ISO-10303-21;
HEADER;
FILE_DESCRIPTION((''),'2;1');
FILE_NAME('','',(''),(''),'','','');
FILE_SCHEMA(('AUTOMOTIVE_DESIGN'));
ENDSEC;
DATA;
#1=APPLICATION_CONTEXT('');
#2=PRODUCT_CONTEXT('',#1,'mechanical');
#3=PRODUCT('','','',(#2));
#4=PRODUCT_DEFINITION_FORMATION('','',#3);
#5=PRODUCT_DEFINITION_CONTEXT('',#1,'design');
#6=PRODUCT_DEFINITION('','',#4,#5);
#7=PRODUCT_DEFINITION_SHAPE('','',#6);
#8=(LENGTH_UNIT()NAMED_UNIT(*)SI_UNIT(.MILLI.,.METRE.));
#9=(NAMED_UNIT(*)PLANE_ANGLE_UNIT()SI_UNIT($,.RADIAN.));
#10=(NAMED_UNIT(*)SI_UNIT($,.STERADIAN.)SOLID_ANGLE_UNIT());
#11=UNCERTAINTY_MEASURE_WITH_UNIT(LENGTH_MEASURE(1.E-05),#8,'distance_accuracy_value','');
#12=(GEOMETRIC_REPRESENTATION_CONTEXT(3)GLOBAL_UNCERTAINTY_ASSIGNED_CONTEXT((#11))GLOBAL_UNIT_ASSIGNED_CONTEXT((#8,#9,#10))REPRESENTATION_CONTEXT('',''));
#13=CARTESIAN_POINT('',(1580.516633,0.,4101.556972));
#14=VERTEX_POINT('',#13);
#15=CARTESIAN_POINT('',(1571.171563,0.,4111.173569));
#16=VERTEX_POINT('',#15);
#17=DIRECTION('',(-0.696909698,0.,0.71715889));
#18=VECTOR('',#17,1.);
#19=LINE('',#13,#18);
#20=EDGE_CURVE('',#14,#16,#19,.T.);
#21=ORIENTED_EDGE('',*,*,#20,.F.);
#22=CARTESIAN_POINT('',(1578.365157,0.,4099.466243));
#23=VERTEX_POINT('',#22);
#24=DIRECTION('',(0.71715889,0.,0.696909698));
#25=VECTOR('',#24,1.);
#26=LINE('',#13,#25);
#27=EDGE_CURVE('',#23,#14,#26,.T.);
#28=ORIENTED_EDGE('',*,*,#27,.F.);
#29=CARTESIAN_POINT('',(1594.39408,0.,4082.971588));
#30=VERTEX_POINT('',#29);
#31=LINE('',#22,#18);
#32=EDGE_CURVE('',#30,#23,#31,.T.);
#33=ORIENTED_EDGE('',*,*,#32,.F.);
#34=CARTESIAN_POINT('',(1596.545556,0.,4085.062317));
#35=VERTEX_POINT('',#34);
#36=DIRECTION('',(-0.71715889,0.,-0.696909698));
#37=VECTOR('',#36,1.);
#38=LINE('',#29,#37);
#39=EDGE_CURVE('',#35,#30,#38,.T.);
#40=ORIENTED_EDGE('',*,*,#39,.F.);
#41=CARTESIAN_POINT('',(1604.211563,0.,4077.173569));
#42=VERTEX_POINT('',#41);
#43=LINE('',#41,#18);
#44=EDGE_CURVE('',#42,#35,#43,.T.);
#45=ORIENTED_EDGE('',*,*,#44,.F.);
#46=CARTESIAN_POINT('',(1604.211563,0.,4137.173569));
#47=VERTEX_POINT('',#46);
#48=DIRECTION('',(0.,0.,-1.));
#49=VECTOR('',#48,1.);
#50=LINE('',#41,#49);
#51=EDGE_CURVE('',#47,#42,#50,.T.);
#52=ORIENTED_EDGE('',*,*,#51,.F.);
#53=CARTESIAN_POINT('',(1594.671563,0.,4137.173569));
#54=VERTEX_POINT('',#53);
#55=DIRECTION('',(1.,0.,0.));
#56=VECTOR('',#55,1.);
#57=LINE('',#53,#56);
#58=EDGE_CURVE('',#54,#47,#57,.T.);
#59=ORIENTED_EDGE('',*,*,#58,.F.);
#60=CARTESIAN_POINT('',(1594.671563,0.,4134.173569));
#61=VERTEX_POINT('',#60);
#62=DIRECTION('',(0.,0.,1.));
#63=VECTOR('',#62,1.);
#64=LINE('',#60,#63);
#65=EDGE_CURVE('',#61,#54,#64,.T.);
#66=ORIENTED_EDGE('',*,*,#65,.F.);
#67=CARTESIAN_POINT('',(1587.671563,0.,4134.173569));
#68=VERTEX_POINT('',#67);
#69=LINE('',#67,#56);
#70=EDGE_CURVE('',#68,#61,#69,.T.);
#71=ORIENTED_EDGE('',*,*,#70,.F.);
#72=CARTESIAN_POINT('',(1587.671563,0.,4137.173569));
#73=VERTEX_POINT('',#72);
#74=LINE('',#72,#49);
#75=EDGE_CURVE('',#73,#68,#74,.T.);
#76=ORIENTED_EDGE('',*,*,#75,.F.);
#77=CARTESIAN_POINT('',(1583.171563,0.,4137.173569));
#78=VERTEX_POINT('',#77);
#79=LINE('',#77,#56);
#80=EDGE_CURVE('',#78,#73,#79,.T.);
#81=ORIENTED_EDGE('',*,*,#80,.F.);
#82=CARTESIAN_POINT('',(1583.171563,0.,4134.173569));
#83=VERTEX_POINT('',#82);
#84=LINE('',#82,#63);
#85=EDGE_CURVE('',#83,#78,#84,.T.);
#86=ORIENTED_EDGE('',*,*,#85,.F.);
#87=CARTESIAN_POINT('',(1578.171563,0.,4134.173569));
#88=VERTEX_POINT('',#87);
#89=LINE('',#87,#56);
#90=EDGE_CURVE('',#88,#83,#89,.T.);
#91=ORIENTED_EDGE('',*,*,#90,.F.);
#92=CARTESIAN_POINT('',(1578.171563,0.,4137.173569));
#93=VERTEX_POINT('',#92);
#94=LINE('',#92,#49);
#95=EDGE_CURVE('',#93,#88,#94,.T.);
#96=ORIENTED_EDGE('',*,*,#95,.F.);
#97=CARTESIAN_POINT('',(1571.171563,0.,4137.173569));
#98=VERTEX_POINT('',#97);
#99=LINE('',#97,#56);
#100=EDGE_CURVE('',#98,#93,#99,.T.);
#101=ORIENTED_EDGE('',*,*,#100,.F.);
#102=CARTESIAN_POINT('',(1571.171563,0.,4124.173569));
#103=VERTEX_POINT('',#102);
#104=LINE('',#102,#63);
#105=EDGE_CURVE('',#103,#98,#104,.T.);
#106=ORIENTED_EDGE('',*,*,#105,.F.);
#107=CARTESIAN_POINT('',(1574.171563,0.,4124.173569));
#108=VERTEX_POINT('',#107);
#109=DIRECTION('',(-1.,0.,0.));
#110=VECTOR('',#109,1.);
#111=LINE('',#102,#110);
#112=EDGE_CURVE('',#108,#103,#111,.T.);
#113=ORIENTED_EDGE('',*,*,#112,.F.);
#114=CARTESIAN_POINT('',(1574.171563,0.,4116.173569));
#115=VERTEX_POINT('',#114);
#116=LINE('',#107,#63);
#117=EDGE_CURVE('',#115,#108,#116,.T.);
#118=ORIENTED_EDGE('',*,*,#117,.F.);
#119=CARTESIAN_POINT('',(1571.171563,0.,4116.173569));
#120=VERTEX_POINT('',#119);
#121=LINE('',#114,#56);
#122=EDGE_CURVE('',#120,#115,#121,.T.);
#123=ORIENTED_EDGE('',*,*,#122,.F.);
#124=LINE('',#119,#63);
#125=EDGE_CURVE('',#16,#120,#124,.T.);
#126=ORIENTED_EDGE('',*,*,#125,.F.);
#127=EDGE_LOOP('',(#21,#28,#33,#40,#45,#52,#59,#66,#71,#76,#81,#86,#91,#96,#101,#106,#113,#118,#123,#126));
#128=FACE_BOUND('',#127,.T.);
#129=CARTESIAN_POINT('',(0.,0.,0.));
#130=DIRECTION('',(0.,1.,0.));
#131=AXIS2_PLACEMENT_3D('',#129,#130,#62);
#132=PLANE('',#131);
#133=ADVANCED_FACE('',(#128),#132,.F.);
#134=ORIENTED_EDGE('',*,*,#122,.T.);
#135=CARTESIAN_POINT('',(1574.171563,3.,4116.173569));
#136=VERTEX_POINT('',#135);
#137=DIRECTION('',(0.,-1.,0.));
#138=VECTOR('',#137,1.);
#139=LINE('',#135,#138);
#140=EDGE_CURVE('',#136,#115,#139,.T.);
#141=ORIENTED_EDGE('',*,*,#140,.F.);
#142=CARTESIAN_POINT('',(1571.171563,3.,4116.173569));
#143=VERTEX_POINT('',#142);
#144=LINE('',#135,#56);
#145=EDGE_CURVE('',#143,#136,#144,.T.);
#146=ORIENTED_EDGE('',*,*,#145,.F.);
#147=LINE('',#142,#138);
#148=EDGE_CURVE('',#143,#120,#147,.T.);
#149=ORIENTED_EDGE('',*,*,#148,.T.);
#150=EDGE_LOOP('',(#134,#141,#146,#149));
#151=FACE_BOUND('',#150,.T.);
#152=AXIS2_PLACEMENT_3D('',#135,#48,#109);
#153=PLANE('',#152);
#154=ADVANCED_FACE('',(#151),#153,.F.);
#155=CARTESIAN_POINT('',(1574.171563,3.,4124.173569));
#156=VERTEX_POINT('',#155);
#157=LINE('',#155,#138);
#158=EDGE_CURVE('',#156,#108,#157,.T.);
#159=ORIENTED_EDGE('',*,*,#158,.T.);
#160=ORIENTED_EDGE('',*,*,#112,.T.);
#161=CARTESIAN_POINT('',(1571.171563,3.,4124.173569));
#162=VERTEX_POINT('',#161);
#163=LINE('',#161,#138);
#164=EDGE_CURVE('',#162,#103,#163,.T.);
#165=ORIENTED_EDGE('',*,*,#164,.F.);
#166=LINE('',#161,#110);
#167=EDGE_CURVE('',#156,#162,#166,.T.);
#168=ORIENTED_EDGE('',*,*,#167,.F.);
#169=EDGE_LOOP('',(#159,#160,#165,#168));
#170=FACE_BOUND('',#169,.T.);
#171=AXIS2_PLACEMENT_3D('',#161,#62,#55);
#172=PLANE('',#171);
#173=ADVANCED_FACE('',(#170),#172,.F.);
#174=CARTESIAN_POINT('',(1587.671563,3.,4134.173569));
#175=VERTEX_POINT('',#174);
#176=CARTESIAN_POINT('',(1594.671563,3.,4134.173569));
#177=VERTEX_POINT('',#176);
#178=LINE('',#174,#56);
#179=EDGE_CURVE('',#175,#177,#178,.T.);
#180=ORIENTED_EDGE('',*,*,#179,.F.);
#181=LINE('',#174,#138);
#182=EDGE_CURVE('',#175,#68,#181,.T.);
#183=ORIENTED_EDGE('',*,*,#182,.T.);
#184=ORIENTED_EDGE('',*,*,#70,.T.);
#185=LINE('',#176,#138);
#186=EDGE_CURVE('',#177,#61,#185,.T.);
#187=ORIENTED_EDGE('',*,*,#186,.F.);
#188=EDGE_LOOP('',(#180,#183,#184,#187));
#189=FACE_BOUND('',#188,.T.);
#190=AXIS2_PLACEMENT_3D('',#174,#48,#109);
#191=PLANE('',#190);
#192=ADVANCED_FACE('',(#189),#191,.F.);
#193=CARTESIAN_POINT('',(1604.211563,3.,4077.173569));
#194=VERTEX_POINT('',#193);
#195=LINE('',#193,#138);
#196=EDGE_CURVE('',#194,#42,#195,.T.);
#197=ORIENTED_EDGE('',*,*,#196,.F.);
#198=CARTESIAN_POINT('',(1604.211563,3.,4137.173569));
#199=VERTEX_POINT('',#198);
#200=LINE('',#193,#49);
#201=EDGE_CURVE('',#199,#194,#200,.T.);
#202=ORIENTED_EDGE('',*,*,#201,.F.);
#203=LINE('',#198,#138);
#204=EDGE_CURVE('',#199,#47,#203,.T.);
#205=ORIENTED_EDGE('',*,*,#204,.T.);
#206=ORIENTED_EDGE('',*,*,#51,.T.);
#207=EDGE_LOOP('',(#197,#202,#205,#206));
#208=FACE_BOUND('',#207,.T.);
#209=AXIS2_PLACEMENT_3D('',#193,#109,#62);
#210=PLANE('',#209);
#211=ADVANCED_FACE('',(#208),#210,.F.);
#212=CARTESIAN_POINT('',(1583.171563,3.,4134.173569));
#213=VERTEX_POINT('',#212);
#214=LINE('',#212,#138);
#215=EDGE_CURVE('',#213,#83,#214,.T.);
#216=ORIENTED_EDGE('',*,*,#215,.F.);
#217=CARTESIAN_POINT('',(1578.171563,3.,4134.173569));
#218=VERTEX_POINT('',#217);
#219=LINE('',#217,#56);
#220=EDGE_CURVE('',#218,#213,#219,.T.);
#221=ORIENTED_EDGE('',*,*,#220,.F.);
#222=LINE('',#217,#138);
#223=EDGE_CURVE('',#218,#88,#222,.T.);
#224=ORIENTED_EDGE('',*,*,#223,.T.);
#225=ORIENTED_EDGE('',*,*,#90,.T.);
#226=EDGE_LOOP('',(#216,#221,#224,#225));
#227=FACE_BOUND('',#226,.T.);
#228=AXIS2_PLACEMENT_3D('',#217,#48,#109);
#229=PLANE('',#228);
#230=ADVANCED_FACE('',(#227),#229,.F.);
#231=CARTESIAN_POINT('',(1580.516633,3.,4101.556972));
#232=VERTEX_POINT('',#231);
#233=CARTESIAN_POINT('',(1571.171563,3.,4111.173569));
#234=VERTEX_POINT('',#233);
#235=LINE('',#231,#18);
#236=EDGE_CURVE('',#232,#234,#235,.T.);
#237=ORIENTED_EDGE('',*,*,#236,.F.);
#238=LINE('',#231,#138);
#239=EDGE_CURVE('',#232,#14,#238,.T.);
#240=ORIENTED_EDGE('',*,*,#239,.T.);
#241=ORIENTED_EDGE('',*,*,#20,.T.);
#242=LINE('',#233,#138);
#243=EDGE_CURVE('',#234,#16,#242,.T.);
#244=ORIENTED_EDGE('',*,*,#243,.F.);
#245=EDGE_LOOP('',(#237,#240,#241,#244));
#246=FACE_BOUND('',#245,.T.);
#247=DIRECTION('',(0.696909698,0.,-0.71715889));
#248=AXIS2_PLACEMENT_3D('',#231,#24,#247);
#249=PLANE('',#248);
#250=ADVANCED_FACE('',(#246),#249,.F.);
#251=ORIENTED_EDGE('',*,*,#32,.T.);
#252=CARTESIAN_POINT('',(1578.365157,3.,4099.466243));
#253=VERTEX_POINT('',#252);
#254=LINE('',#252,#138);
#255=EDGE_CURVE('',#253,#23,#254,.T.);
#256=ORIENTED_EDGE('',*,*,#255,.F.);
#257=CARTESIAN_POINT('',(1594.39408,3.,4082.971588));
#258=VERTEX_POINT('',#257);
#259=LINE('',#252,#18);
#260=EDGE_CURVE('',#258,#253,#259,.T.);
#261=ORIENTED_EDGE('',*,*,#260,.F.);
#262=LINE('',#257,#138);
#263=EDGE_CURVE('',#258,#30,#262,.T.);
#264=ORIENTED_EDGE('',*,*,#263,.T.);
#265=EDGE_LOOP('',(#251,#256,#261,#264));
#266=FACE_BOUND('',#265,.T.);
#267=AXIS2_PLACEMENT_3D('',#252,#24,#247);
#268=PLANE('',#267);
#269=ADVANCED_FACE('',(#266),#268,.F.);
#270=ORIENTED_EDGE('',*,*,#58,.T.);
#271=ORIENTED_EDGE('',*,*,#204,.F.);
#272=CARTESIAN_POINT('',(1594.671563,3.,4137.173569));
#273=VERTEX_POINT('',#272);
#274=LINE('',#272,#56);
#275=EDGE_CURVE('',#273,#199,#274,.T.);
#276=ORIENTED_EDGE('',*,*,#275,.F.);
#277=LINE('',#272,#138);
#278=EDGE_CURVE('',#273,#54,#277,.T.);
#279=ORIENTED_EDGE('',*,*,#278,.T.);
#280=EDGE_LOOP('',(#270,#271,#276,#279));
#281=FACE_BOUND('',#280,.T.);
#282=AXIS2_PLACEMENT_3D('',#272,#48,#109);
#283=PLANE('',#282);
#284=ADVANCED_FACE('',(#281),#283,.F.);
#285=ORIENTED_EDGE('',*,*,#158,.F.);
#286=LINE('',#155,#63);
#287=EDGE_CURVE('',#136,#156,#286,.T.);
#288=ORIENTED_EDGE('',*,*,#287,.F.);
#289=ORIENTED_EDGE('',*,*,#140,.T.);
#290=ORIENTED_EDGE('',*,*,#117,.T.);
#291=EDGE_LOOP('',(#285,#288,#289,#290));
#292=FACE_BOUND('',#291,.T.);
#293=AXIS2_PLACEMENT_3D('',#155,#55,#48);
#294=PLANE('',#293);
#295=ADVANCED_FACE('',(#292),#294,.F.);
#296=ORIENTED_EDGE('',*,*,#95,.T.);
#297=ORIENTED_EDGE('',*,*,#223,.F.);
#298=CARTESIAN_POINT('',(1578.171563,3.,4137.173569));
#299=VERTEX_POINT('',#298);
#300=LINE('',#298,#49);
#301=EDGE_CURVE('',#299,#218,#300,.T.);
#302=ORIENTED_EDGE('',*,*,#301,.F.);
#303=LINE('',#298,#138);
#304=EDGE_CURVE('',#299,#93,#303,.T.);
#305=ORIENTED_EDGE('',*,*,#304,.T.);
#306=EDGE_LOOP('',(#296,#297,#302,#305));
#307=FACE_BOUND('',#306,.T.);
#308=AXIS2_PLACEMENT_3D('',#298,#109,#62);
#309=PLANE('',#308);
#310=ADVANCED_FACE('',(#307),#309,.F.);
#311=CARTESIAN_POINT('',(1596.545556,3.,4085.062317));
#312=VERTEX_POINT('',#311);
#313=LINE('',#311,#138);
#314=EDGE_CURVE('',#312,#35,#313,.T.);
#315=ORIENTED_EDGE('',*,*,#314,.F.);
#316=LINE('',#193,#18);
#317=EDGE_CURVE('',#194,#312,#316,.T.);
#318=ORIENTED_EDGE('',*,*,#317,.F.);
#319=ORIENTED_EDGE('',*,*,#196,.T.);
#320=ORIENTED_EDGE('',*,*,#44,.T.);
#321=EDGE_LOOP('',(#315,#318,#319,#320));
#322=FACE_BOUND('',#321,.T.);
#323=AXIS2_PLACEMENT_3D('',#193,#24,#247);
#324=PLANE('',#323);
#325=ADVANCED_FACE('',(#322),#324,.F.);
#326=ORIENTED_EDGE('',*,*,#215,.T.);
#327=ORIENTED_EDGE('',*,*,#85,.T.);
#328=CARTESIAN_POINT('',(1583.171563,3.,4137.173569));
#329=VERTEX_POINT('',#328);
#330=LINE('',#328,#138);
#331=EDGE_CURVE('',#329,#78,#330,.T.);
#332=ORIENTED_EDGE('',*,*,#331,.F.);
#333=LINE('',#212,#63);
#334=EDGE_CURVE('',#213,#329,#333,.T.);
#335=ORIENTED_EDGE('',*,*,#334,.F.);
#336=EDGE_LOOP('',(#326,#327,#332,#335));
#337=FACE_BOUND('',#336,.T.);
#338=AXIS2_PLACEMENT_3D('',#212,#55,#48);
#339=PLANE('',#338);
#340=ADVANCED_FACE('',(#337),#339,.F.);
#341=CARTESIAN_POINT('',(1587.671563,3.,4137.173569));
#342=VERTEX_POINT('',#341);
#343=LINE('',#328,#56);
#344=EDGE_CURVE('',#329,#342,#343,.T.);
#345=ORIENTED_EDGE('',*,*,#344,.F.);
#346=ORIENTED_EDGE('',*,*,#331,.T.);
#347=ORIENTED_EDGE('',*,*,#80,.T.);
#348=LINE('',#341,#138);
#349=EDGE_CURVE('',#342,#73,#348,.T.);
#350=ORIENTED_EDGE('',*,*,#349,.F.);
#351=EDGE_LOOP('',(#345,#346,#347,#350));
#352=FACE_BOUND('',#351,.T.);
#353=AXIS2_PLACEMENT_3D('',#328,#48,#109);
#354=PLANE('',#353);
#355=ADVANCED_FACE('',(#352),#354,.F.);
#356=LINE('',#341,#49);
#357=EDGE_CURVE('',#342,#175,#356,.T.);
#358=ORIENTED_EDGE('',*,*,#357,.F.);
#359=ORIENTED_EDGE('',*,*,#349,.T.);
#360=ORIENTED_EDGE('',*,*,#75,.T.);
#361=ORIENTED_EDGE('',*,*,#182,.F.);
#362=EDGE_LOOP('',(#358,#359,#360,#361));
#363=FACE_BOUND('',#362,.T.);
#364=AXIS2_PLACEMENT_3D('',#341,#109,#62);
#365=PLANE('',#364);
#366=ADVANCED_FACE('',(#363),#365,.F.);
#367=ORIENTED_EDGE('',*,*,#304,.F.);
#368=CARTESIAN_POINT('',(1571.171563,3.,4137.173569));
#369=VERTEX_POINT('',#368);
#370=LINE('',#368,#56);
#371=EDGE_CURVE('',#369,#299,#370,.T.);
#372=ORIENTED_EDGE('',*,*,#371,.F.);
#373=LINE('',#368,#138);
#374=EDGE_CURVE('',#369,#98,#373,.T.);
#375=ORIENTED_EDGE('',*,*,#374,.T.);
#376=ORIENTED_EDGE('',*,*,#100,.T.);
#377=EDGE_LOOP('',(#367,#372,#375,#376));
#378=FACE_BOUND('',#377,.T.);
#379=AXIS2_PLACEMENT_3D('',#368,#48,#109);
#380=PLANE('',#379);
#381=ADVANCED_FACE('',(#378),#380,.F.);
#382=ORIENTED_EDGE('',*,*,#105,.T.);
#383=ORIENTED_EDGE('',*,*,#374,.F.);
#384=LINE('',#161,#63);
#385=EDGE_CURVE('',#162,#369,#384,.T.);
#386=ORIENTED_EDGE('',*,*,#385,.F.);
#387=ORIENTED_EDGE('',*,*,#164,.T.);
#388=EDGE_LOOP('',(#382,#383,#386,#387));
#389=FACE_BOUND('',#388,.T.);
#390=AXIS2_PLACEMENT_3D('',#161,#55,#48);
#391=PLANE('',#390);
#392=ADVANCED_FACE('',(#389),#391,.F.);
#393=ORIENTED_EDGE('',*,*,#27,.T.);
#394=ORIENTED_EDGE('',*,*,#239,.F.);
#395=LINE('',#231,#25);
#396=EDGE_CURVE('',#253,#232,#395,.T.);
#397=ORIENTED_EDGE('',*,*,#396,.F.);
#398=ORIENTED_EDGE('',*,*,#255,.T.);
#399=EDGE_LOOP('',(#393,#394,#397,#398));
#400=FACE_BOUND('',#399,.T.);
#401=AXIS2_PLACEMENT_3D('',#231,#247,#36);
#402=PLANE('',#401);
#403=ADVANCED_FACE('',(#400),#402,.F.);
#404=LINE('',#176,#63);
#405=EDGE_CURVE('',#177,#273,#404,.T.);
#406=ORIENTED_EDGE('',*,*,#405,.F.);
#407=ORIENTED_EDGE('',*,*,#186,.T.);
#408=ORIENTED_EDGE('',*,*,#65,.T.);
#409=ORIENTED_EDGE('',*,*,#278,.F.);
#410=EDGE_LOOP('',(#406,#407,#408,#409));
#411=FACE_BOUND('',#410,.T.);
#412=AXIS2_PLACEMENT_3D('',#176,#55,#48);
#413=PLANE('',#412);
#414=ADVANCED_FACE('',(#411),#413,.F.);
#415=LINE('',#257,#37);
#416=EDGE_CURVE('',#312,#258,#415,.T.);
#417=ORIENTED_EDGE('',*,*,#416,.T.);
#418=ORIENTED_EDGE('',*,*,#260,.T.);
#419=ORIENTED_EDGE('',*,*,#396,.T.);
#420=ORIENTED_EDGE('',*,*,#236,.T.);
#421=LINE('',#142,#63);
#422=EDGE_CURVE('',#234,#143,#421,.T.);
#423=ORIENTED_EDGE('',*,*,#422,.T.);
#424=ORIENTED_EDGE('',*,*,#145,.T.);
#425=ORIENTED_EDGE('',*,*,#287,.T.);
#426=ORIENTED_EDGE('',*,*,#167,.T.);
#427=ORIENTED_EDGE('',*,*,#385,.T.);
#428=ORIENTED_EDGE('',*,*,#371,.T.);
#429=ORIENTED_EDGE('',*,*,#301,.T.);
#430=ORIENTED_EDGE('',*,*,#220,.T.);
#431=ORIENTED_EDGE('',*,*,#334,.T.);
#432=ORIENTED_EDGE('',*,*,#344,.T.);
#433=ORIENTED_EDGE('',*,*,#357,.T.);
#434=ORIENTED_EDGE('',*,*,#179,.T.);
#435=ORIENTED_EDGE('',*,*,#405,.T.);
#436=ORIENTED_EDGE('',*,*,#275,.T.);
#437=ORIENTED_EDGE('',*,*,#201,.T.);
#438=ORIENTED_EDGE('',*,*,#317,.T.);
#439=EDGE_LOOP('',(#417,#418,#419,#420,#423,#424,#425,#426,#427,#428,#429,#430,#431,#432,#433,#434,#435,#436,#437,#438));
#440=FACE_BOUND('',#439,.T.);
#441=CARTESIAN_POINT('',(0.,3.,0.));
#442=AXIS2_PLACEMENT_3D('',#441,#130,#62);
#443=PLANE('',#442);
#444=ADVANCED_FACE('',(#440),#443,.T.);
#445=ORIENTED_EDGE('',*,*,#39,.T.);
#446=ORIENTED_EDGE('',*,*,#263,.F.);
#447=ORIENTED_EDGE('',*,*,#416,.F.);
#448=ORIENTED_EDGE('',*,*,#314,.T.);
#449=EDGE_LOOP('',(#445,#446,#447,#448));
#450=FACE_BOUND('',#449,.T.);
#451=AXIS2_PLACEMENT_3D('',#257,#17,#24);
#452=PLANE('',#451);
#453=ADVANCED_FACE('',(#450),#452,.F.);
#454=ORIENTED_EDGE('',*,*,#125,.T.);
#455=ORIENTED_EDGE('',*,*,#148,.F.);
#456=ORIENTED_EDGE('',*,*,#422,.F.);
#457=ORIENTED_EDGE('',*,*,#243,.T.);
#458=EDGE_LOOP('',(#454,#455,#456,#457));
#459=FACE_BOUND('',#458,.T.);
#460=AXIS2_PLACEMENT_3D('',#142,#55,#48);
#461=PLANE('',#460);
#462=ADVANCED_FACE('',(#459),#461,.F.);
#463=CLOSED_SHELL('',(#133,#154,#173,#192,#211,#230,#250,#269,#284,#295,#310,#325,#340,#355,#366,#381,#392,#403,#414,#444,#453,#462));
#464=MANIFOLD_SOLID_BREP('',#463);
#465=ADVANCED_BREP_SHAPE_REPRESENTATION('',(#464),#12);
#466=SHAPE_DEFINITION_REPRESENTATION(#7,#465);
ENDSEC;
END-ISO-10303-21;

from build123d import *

# Parameters (mm, degrees)
BOSS_EXTRUDE1_DEPTH = 3


with BuildPart() as part:
    # Sketch1 → Boss-Extrude1 (new body)
    with BuildSketch(Plane(origin=(0, 0, 0), x_dir=(1, 0, 0), z_dir=(0, 1, 0))):
        Polygon((1571.171562964, -4116.173569386), (1571.171562964, -4111.173569386), (1580.516633244, -4101.556971641), (1578.365156574, -4099.466242548), (1594.39407962, -4082.971588082), (1596.54555629, -4085.062317175), (1604.211562964, -4077.173569386), (1604.211562964, -4137.173569386), (1594.671562964, -4137.173569386), (1594.671562964, -4134.173569386), (1587.671562964, -4134.173569386), (1587.671562964, -4137.173569386), (1583.171562964, -4137.173569386), (1583.171562964, -4134.173569386), (1578.171562964, -4134.173569386), (1578.171562964, -4137.173569386), (1571.171562964, -4137.173569386), (1571.171562964, -4124.173569386), (1574.171562964, -4124.173569386), (1574.171562964, -4116.173569386), align=None)
    extrude(amount=BOSS_EXTRUDE1_DEPTH)


solid = part.part
